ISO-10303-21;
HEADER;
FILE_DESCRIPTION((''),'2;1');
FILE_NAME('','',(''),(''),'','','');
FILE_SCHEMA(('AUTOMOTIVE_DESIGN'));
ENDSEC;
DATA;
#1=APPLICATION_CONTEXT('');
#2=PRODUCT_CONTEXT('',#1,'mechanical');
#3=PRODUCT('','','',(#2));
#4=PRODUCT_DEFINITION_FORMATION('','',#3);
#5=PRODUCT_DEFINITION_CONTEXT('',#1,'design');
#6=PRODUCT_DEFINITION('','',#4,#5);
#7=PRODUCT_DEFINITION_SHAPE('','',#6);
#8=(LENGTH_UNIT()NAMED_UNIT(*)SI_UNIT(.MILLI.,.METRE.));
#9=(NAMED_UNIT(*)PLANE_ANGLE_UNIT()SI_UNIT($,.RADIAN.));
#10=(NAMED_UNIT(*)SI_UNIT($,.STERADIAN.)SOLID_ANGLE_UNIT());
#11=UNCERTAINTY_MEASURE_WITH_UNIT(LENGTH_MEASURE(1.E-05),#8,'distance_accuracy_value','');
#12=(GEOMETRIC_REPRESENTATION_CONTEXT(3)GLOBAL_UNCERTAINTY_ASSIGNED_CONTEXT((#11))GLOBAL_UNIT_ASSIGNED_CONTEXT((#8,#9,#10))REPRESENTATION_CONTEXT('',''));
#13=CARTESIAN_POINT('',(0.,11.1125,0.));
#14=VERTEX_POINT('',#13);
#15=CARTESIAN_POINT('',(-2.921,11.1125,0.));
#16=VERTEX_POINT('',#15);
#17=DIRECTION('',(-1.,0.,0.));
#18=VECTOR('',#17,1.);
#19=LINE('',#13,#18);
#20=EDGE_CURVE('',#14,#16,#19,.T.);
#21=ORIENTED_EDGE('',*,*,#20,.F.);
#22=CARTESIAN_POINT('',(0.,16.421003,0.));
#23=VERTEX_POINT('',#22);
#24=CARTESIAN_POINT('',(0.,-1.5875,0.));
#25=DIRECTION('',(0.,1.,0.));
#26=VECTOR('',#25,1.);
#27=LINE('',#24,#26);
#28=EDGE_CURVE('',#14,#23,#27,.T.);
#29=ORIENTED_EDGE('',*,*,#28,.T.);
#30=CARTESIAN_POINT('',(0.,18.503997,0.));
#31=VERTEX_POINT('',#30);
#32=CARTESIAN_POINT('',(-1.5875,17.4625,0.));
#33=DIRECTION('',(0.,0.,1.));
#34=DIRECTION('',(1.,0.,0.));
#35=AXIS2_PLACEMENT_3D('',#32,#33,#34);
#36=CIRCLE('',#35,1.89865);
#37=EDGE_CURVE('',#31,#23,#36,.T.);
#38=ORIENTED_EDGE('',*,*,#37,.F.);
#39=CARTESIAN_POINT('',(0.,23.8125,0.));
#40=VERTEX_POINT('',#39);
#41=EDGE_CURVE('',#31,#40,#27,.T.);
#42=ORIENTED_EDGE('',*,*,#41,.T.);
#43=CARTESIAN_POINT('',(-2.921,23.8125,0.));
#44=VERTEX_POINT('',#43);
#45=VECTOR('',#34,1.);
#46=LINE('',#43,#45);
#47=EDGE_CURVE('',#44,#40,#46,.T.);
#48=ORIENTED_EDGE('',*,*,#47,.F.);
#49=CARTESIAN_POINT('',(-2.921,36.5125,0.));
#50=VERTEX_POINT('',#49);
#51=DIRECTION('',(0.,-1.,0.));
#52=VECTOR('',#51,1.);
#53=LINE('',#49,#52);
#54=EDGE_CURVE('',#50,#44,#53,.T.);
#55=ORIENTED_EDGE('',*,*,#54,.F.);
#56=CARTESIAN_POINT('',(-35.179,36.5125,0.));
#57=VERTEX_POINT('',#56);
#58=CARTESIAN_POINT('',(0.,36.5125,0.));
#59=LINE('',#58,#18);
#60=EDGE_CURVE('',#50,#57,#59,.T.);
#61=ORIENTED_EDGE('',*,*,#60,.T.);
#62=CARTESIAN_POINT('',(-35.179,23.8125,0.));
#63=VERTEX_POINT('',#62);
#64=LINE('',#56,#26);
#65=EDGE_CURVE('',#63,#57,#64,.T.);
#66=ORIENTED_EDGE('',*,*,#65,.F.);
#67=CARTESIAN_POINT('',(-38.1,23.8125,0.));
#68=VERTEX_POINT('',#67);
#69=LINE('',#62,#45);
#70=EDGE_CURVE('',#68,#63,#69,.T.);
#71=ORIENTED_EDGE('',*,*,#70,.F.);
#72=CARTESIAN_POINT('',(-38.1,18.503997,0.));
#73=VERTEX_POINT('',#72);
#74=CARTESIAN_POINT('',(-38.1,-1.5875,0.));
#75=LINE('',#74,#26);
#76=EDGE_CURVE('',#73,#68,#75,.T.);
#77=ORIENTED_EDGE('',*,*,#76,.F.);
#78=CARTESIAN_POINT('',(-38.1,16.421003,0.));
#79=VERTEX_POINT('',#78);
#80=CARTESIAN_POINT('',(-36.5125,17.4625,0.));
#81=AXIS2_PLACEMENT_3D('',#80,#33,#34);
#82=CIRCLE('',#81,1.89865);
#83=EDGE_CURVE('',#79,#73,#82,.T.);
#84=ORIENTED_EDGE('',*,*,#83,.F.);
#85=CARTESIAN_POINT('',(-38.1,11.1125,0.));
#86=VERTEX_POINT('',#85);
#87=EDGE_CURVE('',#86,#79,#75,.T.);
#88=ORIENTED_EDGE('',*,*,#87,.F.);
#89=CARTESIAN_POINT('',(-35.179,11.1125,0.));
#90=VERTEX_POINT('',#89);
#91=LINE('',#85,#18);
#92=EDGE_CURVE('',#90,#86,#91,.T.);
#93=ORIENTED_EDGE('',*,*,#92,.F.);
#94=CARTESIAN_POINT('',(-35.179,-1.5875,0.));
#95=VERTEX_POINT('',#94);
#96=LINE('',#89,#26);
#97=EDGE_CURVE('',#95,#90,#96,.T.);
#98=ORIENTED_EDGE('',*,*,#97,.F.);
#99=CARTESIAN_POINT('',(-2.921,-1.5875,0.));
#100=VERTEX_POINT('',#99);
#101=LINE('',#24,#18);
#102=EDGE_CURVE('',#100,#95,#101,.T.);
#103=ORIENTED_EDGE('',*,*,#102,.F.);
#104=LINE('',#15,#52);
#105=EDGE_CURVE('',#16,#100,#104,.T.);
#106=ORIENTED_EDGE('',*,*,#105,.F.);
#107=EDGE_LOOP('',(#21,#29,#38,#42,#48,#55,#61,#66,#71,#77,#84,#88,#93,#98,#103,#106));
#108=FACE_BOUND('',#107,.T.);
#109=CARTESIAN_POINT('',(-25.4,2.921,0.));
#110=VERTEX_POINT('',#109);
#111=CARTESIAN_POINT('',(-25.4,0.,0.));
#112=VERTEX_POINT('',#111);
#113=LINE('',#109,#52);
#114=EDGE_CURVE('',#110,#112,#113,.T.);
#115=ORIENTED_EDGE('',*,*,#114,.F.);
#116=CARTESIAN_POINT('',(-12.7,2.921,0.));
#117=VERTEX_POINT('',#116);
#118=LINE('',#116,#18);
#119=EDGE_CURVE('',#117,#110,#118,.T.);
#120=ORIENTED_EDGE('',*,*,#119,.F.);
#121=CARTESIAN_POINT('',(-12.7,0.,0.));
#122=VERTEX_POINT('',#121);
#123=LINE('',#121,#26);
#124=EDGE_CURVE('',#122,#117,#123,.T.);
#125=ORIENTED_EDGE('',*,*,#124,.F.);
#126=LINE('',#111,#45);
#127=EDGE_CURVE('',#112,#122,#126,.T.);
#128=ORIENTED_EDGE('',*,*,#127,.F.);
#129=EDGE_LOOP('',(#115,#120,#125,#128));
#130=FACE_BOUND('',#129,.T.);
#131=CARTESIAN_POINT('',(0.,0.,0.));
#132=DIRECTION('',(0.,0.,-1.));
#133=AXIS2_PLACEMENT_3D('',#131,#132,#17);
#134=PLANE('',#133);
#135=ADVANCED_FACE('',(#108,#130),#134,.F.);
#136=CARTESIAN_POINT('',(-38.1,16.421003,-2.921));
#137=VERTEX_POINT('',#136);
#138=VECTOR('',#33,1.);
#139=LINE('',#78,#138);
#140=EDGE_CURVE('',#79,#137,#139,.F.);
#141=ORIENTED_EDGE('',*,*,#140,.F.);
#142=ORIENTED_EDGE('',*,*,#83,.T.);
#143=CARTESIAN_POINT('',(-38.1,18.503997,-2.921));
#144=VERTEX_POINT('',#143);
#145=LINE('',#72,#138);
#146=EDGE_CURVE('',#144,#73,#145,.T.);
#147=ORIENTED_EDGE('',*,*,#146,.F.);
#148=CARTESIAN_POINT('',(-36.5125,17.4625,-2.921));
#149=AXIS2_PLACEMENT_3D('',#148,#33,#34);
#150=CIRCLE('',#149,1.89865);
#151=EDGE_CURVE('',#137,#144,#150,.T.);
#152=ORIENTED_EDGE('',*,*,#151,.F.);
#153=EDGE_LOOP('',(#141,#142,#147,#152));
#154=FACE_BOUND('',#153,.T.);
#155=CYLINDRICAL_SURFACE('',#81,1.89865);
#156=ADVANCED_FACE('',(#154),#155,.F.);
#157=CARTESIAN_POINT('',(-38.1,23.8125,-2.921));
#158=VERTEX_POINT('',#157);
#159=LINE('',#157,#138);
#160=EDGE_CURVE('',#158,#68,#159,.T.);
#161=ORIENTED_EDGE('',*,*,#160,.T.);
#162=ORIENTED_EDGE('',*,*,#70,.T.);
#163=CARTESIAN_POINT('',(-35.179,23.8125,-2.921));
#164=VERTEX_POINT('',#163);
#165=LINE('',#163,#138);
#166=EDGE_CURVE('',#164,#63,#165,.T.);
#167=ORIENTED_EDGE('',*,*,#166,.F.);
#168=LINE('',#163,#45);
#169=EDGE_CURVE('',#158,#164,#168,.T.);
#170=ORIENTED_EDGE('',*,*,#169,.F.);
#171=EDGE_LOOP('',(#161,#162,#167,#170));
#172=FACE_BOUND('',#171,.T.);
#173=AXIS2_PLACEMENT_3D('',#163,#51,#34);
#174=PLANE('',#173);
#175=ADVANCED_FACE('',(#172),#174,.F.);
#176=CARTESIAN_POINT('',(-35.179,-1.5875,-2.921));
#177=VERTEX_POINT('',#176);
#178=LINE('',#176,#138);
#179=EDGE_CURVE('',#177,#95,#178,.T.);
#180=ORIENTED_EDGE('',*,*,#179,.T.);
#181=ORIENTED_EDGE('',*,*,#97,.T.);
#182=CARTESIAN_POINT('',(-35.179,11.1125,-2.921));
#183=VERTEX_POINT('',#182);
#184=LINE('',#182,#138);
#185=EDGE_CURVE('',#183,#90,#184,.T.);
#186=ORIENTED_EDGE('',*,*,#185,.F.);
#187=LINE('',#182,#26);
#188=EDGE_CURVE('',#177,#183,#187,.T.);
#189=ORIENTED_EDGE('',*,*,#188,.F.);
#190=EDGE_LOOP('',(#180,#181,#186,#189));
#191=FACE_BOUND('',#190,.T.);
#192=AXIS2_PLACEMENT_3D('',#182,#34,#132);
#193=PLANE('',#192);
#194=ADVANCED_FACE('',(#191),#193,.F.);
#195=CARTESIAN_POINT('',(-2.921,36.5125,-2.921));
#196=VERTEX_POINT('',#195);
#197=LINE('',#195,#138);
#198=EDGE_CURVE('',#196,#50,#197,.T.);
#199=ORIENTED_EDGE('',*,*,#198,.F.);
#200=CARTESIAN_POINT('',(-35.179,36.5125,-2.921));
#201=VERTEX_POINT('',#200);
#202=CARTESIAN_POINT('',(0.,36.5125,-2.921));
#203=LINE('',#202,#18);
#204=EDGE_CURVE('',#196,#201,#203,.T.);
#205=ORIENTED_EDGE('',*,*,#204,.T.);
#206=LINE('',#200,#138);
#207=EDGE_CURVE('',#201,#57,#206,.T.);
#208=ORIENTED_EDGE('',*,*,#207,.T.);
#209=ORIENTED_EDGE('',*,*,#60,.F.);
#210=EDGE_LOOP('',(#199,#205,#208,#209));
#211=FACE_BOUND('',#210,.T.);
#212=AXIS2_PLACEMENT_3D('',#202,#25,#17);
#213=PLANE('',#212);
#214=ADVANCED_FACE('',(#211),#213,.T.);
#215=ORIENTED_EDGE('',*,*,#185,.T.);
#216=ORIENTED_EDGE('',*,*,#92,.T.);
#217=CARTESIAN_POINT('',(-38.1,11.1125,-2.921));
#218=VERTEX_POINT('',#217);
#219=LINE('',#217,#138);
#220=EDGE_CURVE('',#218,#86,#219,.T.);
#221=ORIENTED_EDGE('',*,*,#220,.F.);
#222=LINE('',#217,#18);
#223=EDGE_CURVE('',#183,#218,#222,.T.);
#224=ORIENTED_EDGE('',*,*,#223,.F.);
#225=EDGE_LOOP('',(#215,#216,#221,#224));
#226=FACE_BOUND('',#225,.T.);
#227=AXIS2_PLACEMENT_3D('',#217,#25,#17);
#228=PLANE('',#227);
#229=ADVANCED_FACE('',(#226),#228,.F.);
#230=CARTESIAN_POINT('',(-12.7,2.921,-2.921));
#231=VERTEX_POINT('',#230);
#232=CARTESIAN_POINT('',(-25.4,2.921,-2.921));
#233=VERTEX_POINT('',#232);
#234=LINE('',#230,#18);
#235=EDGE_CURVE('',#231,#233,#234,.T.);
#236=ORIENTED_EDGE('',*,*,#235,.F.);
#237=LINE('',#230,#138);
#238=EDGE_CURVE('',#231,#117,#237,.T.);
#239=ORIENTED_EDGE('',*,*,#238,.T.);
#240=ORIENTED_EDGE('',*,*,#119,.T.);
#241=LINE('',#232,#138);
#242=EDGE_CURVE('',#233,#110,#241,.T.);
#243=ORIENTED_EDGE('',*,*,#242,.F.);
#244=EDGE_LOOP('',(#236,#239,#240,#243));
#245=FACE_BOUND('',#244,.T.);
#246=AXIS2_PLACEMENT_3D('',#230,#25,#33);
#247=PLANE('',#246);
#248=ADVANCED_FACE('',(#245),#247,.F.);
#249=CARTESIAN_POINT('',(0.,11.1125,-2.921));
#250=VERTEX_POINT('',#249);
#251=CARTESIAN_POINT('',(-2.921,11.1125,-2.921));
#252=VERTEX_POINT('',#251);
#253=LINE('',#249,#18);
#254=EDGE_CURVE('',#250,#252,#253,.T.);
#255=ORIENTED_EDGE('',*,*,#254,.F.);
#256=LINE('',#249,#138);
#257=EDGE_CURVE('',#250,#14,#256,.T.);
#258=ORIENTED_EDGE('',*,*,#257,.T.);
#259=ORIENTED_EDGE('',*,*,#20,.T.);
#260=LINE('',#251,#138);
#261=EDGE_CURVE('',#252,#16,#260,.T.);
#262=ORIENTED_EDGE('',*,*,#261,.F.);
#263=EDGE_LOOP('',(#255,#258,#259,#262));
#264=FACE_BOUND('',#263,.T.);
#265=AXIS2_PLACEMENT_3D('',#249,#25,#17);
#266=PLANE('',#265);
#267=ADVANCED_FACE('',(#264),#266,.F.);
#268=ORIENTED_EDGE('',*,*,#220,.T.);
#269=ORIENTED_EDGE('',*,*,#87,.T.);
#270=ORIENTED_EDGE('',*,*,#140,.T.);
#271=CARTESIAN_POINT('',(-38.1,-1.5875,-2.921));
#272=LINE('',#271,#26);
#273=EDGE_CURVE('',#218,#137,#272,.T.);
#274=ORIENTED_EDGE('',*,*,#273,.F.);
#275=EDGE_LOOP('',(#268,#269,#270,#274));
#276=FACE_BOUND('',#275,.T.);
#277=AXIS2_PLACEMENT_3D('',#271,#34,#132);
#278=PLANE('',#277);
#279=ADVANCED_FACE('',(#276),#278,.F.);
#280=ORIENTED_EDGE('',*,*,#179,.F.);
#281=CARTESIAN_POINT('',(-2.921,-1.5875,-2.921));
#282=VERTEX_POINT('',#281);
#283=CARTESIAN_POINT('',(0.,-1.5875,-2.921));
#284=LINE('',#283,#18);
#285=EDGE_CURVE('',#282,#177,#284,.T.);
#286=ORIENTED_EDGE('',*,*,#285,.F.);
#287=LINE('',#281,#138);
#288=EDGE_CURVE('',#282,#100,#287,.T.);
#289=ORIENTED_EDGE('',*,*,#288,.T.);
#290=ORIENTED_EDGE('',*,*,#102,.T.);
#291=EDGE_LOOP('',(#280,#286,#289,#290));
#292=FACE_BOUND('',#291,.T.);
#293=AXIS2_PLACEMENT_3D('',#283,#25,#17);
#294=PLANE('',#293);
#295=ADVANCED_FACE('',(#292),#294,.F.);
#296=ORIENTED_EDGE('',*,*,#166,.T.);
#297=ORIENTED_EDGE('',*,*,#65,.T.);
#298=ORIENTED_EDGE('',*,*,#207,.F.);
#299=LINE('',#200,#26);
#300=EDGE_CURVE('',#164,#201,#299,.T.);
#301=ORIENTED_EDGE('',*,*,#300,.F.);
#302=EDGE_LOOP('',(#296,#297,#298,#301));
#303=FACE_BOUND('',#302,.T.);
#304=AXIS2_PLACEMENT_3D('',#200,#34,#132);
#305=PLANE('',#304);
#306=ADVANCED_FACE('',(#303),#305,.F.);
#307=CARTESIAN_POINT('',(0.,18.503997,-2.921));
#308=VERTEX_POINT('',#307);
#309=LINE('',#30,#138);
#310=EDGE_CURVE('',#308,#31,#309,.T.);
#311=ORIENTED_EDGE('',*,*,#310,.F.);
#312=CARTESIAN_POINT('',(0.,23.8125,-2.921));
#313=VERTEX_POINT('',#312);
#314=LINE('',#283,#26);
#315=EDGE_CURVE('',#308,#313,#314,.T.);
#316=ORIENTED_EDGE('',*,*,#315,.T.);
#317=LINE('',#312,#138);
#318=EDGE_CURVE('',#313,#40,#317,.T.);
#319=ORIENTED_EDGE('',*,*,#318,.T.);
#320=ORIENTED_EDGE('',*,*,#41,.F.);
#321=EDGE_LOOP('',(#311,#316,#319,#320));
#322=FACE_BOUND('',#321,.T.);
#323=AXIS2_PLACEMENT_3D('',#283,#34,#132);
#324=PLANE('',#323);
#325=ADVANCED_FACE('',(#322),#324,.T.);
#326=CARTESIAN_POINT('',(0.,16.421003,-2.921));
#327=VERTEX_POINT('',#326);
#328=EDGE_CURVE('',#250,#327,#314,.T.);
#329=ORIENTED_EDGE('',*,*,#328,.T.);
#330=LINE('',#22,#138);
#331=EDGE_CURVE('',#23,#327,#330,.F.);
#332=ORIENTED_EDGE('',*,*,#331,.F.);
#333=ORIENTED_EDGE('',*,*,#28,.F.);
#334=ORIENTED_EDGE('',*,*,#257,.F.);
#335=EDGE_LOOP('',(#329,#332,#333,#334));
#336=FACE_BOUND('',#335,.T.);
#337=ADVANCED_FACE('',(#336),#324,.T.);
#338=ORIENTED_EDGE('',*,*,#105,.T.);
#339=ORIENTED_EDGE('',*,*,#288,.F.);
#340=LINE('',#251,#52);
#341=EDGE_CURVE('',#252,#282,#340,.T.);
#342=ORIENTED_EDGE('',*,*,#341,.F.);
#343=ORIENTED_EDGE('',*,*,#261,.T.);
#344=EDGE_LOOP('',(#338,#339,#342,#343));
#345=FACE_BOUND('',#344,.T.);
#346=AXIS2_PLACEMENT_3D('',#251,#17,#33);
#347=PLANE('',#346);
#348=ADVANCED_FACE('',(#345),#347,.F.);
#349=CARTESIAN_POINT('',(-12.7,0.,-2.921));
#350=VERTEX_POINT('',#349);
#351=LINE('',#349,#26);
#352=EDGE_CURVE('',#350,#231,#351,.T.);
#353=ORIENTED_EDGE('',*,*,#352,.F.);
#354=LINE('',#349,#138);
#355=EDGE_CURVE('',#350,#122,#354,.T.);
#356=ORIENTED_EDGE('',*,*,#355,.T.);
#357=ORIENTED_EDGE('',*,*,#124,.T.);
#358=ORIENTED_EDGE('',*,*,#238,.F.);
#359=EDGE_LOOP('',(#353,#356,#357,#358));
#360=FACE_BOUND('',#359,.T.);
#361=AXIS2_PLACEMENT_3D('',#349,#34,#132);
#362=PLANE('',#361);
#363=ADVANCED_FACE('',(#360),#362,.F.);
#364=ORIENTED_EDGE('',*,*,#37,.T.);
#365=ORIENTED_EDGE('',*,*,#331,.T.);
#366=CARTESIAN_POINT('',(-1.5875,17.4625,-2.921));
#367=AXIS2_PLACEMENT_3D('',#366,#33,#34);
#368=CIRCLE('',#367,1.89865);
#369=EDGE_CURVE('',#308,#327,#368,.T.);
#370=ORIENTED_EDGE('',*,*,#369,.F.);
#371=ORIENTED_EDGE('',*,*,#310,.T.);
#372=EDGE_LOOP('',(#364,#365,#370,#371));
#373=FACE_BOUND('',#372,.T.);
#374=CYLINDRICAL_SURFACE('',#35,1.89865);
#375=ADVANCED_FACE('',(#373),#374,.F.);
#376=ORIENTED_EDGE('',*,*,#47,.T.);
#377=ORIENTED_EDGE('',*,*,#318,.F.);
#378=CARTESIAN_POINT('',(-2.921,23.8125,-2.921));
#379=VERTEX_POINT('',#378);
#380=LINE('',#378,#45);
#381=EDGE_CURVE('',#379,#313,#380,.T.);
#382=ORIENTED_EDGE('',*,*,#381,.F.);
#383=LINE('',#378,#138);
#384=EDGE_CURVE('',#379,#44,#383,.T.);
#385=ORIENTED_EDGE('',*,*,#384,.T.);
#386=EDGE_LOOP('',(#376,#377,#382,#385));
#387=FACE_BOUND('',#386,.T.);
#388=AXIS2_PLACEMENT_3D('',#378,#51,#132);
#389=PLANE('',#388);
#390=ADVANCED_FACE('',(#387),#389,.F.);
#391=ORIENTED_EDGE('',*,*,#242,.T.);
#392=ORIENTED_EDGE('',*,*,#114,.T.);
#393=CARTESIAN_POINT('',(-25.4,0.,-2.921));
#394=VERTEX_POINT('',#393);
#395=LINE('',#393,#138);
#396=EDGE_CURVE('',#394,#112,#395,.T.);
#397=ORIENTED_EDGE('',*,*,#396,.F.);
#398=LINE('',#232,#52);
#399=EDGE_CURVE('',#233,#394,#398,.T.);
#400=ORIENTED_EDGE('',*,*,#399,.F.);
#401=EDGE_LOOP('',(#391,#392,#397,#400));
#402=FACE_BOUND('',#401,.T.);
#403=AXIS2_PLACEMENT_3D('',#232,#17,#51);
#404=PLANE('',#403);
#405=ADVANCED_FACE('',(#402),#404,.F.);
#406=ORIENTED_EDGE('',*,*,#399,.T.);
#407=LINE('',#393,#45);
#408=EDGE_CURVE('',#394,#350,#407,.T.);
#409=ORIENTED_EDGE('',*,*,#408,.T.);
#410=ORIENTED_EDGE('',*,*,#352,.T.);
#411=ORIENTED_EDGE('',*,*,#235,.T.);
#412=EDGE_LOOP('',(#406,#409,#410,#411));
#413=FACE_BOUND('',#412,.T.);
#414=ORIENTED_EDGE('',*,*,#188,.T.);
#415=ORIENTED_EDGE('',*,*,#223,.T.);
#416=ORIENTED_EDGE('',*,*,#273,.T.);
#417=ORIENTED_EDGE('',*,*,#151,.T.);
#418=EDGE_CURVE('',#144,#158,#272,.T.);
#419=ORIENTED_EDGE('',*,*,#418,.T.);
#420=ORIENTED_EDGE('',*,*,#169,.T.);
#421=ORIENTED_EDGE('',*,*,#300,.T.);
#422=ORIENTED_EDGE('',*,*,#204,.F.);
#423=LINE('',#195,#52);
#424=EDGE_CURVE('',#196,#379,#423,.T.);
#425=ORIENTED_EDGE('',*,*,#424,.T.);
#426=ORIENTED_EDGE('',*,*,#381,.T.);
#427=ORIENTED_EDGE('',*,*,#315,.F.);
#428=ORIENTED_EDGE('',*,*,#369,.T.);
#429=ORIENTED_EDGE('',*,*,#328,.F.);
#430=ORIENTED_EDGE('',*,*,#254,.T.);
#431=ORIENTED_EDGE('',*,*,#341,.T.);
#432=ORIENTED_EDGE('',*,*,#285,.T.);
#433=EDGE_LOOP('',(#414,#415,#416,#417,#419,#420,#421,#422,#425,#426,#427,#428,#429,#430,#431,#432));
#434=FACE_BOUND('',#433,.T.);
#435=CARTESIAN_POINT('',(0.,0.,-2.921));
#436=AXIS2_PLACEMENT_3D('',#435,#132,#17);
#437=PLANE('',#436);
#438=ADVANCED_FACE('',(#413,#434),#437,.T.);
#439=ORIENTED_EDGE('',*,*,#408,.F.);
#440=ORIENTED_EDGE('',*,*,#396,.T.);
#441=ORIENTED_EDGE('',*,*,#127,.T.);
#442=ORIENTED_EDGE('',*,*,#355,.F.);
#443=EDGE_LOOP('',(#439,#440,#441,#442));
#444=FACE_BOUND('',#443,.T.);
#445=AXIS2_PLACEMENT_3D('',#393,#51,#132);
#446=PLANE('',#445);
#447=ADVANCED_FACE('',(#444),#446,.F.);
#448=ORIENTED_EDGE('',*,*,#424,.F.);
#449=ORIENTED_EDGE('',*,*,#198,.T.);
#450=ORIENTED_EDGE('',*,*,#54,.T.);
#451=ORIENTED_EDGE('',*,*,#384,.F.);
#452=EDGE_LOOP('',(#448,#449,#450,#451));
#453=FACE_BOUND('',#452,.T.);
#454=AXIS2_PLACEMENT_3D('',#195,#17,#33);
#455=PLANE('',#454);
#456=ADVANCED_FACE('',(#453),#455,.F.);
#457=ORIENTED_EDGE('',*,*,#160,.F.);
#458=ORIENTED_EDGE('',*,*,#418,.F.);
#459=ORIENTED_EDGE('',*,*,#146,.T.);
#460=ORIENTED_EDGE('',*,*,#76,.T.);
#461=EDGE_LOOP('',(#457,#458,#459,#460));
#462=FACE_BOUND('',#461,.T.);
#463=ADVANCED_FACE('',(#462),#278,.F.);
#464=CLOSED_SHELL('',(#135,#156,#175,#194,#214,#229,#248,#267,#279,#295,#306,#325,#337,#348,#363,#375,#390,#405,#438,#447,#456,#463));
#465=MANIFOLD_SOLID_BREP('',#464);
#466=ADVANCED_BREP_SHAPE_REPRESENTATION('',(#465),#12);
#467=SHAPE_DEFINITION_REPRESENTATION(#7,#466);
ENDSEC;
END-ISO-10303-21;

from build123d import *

# Parameters (mm, degrees)
SKETCH1_W             = 38.1
SKETCH1_H             = 38.1
BOSS_EXTRUDE1_DEPTH   = 2.921
SKETCH2_W             = 12.7
SKETCH2_H             = 2.921
CUT_EXTRUDE1_DEPTH    = 53.851725584
SKETCH3_W             = 2.921
SKETCH3_H             = 12.7
CUT_EXTRUDE2_DEPTH    = 53.851725584
F_6_CLEARANCE_HOLE2_D = 3.7973


with BuildPart() as part:
    # Sketch1 → Boss-Extrude1 (new body)
    with BuildSketch(Plane.XY):
        with Locations((-19.05, 17.4625)):
            Rectangle(SKETCH1_W, SKETCH1_H)
    extrude(amount=-BOSS_EXTRUDE1_DEPTH)

    # Sketch2 → Cut-Extrude1 (cut, through all)
    with BuildSketch(Plane.XY):
        with Locations((-19.05, 1.4605)):
            Rectangle(SKETCH2_W, SKETCH2_H)
    extrude(amount=-CUT_EXTRUDE1_DEPTH, mode=Mode.SUBTRACT)

    # Sketch3 → Cut-Extrude2 (cut, through all)
    with BuildSketch(Plane.XY):
        with Locations((-1.4605, 4.7625)):
            Rectangle(SKETCH3_W, SKETCH3_H)
        with Locations((-1.4605, 30.1625)):
            Rectangle(SKETCH3_W, SKETCH3_H)
        with Locations((-36.6395, 30.1625)):
            Rectangle(SKETCH3_W, SKETCH3_H)
        with Locations((-36.6395, 4.7625)):
            Rectangle(SKETCH3_W, SKETCH3_H)
    extrude(amount=-CUT_EXTRUDE2_DEPTH, mode=Mode.SUBTRACT)

    # #6 Clearance Hole2 (through all)
    with Locations(Plane.XY):
        with Locations((-1.5875, 17.4625), (-36.5125, 17.4625)):
            Hole(F_6_CLEARANCE_HOLE2_D / 2)


solid = part.part
